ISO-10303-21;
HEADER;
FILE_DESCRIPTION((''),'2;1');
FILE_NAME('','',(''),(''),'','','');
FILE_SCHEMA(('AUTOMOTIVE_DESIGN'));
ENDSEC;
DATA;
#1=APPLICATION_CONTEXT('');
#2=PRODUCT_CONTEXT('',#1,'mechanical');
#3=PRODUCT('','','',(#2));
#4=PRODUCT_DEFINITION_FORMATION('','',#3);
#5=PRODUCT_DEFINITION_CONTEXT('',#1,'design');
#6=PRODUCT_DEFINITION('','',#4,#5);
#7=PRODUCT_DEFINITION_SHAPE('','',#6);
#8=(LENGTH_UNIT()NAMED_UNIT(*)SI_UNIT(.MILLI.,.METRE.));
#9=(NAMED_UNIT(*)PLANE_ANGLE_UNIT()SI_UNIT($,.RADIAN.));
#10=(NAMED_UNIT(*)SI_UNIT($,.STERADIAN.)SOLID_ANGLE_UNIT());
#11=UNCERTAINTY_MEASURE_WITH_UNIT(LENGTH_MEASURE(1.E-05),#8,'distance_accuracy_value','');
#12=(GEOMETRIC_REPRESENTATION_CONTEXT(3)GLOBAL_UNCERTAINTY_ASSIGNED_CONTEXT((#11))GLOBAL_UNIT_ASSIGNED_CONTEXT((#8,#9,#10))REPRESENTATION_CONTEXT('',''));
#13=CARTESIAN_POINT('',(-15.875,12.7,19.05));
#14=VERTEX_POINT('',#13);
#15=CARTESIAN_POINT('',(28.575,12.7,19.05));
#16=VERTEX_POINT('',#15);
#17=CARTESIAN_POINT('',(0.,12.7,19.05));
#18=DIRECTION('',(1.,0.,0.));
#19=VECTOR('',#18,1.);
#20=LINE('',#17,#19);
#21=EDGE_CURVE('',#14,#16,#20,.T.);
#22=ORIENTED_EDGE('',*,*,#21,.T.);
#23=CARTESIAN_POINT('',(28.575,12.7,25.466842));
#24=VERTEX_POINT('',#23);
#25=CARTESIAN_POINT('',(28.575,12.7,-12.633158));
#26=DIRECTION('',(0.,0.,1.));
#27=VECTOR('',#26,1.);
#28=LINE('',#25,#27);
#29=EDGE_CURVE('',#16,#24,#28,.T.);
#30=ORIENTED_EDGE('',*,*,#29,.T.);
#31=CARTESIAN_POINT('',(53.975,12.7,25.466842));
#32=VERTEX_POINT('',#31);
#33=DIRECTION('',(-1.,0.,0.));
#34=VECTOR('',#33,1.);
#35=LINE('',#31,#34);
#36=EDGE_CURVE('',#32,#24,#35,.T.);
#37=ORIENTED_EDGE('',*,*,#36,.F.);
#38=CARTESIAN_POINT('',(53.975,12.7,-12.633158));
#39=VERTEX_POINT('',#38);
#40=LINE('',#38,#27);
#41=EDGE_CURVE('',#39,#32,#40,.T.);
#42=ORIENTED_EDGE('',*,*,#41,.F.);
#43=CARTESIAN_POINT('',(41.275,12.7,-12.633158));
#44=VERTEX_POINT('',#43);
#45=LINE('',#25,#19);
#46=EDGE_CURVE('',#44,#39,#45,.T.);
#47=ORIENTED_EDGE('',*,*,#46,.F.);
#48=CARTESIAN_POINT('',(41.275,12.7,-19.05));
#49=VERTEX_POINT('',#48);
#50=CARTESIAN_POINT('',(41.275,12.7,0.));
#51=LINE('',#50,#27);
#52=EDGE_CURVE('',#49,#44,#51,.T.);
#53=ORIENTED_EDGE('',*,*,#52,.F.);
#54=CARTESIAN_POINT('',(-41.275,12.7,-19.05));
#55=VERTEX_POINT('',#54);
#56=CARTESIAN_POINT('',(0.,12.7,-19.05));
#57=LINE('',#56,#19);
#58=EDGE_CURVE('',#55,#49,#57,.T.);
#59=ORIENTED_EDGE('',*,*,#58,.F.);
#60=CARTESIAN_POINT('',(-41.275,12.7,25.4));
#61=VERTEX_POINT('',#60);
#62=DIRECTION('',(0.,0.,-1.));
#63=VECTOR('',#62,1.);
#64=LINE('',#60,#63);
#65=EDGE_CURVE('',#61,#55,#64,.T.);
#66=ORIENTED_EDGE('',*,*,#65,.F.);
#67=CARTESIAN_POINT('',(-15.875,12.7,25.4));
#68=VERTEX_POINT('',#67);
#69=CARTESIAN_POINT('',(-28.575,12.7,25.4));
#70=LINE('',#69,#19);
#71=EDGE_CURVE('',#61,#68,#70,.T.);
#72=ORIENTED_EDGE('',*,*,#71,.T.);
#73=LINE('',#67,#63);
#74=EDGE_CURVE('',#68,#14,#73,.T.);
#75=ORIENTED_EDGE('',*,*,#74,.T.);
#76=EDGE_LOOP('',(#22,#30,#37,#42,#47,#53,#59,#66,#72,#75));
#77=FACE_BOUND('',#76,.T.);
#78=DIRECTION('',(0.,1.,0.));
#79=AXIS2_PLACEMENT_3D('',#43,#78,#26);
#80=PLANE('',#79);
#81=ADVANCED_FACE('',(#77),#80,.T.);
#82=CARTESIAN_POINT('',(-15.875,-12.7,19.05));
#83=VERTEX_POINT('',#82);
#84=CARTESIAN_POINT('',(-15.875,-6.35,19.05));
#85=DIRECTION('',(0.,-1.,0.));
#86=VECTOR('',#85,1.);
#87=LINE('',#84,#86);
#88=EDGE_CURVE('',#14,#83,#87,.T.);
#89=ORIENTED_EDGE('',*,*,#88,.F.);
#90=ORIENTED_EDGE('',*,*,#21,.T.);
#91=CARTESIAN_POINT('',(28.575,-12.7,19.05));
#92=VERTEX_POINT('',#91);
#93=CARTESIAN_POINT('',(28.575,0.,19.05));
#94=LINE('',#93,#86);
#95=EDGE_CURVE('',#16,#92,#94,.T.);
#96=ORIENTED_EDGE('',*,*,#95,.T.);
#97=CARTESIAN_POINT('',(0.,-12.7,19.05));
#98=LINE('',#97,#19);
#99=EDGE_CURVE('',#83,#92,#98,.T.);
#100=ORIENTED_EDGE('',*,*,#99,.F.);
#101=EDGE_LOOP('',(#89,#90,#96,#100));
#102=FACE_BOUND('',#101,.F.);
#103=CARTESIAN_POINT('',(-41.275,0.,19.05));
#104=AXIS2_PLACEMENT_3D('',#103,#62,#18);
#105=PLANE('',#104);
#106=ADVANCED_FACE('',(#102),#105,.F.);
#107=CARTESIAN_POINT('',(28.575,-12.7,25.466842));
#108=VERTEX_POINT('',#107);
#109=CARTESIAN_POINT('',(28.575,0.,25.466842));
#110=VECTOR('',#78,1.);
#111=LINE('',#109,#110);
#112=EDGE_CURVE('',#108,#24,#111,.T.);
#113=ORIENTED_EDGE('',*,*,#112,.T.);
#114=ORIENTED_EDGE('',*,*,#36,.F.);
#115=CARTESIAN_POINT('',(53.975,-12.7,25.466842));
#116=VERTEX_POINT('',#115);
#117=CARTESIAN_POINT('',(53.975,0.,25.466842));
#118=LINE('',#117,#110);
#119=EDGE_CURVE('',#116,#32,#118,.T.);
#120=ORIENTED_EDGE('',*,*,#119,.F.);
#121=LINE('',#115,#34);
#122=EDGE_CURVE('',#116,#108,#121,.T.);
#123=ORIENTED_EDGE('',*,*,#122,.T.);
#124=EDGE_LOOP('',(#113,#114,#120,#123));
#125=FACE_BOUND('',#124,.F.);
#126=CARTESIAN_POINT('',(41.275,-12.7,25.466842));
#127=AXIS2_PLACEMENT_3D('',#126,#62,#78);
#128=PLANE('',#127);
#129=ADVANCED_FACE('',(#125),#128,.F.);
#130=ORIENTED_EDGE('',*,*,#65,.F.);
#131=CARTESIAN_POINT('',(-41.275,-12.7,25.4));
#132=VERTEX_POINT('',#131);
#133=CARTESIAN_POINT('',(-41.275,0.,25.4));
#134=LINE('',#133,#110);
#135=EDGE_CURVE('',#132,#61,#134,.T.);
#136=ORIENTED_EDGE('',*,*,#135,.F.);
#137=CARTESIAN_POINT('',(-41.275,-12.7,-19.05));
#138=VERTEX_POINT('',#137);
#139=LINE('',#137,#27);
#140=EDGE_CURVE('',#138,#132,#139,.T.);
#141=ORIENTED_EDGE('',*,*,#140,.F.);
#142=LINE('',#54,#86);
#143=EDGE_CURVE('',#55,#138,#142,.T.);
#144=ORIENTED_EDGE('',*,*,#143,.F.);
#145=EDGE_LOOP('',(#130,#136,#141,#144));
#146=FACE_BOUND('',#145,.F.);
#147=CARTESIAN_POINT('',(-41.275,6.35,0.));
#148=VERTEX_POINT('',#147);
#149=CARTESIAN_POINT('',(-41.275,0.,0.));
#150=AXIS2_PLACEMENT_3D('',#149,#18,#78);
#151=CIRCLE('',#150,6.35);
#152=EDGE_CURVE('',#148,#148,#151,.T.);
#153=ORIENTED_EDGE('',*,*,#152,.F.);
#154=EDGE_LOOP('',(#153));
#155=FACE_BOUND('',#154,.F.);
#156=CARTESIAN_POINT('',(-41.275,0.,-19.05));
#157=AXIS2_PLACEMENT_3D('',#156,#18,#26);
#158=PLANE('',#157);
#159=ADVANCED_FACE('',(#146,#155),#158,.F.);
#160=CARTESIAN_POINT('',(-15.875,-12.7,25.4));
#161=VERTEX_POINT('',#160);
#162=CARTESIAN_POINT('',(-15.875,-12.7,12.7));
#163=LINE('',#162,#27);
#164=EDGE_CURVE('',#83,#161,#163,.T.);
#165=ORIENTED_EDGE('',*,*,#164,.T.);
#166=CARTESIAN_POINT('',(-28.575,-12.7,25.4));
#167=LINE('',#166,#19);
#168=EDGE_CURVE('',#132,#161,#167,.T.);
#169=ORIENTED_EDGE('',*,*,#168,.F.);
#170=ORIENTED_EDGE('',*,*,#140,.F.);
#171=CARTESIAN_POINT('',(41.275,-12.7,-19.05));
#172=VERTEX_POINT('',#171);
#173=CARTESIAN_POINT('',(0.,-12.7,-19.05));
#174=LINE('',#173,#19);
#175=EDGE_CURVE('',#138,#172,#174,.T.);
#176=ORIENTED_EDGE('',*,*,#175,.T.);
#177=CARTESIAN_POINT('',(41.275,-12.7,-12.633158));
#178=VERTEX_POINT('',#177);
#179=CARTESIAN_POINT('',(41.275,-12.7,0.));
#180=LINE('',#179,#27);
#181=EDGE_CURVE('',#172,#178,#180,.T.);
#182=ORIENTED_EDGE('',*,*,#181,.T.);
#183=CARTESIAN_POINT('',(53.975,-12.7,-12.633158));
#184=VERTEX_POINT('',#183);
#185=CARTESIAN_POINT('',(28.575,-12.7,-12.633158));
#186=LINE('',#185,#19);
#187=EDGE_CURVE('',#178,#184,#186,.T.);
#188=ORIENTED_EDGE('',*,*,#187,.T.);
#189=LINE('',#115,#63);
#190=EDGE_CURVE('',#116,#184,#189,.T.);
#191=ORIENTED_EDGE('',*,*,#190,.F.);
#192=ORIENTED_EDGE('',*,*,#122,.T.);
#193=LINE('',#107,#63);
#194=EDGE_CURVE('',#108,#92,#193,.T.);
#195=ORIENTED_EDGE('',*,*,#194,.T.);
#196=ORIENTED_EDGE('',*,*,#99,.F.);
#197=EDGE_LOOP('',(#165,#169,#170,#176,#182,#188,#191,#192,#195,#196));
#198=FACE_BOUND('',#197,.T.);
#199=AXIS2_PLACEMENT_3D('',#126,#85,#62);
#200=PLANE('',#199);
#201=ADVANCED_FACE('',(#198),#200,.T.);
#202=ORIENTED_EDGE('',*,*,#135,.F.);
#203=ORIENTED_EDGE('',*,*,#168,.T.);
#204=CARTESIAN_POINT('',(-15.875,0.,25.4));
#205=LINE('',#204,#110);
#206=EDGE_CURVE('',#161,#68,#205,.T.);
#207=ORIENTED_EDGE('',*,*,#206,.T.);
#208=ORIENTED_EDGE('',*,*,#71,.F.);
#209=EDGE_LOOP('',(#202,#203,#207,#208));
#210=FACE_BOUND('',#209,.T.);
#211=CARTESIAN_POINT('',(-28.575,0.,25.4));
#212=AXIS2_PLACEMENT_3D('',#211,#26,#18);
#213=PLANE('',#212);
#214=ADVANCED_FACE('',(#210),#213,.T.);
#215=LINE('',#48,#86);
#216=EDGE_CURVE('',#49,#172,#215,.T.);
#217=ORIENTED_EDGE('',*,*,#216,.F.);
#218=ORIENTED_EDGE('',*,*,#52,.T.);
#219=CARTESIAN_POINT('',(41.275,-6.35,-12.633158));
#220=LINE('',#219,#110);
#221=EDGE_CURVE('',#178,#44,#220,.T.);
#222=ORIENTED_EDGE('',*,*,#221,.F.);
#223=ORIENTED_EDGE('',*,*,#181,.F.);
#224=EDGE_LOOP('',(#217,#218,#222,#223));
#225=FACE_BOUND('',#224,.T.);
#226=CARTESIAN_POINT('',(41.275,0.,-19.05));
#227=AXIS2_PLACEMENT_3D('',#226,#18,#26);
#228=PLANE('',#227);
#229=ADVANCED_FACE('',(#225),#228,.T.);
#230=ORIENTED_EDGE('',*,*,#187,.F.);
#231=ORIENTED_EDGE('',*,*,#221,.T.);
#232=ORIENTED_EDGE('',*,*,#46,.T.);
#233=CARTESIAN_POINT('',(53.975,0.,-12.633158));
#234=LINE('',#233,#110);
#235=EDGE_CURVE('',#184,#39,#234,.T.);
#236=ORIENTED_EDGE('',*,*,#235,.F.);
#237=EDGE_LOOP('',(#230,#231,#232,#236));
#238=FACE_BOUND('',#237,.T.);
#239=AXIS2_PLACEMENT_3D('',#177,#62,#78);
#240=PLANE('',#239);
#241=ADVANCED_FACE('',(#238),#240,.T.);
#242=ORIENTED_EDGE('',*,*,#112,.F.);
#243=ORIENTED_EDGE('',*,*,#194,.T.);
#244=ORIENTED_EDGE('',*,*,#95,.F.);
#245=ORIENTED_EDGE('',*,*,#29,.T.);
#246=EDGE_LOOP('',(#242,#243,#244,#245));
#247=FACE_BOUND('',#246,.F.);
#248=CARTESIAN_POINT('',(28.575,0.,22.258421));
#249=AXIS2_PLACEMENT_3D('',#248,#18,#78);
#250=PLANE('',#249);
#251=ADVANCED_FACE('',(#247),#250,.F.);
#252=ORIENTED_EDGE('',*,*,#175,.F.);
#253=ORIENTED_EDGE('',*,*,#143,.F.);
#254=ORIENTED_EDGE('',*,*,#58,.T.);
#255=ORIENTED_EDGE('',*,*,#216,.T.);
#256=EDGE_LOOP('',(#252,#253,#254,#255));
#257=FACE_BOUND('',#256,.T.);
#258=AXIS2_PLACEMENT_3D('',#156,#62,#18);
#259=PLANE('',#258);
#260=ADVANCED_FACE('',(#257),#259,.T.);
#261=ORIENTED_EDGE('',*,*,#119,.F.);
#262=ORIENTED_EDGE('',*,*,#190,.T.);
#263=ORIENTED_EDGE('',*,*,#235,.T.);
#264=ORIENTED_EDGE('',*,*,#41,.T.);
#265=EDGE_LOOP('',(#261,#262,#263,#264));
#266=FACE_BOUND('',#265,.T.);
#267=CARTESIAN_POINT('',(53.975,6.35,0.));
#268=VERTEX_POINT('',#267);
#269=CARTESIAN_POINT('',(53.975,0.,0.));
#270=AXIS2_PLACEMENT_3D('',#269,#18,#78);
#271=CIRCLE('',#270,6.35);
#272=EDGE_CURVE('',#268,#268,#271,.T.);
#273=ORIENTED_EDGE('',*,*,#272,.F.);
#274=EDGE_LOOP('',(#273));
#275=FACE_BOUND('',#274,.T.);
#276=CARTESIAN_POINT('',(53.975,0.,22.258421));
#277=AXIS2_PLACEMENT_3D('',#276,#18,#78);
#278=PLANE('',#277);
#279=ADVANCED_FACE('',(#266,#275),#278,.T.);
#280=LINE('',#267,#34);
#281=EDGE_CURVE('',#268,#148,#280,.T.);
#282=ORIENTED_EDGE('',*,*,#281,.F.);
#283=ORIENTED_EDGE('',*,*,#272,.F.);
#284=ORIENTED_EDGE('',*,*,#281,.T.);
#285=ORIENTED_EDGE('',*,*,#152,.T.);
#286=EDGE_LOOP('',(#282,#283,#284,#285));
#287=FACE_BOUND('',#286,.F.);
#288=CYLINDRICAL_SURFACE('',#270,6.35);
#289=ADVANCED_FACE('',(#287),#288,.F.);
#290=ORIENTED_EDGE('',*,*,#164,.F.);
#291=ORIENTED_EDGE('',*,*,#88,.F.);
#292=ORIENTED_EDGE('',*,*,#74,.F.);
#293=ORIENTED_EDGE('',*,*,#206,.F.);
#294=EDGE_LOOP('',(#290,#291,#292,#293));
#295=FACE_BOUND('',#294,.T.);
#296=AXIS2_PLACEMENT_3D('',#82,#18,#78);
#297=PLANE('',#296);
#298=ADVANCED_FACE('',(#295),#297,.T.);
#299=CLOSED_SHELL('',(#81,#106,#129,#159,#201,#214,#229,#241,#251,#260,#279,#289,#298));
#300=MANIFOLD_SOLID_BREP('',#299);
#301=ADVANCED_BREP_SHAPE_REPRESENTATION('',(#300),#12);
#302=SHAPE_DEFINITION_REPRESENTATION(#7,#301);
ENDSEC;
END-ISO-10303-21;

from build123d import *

# Parameters (mm, degrees)
F0_W     = 82.55
F0_H     = 38.1
F2_DEPTH = 12.7
F3_W     = 25.4
F3_H     = 25.4
F4_DEPTH = 6.35
F5_W     = 25.4
F5_H     = 6.416842
F5_H_2   = 31.683158
F6_DEPTH = 12.7
F7_R     = 6.35
F8_DEPTH = 95.251


with BuildPart() as f2:
    # F0 (on Front) → F2 (new body, symmetric)
    with BuildSketch(Plane.XZ):
        Rectangle(F0_W, F0_H)
    extrude(amount=F2_DEPTH, both=True)

    # F3 (on face) → F4 (join, symmetric)
    with BuildSketch(Plane.XY.offset(19.05)):
        with Locations((-28.575, 0)):
            Rectangle(F3_W, F3_H)
    extrude(amount=F4_DEPTH, both=True)

    # F5 (on face) → F6 (join, symmetric)
    with BuildSketch(Plane.YZ.offset(41.275)):
        with Locations((0, 22.258421)):
            Rectangle(F5_W, F5_H)
        with Locations((0, 3.208421)):
            Rectangle(F5_W, F5_H_2)
    extrude(amount=F6_DEPTH, both=True)

    # F7 (on face) → F8 (cut, through all)
    with BuildSketch(Plane.YZ.offset(53.975)):
        Circle(F7_R)
    extrude(amount=-F8_DEPTH, mode=Mode.SUBTRACT)


solid = f2.part
